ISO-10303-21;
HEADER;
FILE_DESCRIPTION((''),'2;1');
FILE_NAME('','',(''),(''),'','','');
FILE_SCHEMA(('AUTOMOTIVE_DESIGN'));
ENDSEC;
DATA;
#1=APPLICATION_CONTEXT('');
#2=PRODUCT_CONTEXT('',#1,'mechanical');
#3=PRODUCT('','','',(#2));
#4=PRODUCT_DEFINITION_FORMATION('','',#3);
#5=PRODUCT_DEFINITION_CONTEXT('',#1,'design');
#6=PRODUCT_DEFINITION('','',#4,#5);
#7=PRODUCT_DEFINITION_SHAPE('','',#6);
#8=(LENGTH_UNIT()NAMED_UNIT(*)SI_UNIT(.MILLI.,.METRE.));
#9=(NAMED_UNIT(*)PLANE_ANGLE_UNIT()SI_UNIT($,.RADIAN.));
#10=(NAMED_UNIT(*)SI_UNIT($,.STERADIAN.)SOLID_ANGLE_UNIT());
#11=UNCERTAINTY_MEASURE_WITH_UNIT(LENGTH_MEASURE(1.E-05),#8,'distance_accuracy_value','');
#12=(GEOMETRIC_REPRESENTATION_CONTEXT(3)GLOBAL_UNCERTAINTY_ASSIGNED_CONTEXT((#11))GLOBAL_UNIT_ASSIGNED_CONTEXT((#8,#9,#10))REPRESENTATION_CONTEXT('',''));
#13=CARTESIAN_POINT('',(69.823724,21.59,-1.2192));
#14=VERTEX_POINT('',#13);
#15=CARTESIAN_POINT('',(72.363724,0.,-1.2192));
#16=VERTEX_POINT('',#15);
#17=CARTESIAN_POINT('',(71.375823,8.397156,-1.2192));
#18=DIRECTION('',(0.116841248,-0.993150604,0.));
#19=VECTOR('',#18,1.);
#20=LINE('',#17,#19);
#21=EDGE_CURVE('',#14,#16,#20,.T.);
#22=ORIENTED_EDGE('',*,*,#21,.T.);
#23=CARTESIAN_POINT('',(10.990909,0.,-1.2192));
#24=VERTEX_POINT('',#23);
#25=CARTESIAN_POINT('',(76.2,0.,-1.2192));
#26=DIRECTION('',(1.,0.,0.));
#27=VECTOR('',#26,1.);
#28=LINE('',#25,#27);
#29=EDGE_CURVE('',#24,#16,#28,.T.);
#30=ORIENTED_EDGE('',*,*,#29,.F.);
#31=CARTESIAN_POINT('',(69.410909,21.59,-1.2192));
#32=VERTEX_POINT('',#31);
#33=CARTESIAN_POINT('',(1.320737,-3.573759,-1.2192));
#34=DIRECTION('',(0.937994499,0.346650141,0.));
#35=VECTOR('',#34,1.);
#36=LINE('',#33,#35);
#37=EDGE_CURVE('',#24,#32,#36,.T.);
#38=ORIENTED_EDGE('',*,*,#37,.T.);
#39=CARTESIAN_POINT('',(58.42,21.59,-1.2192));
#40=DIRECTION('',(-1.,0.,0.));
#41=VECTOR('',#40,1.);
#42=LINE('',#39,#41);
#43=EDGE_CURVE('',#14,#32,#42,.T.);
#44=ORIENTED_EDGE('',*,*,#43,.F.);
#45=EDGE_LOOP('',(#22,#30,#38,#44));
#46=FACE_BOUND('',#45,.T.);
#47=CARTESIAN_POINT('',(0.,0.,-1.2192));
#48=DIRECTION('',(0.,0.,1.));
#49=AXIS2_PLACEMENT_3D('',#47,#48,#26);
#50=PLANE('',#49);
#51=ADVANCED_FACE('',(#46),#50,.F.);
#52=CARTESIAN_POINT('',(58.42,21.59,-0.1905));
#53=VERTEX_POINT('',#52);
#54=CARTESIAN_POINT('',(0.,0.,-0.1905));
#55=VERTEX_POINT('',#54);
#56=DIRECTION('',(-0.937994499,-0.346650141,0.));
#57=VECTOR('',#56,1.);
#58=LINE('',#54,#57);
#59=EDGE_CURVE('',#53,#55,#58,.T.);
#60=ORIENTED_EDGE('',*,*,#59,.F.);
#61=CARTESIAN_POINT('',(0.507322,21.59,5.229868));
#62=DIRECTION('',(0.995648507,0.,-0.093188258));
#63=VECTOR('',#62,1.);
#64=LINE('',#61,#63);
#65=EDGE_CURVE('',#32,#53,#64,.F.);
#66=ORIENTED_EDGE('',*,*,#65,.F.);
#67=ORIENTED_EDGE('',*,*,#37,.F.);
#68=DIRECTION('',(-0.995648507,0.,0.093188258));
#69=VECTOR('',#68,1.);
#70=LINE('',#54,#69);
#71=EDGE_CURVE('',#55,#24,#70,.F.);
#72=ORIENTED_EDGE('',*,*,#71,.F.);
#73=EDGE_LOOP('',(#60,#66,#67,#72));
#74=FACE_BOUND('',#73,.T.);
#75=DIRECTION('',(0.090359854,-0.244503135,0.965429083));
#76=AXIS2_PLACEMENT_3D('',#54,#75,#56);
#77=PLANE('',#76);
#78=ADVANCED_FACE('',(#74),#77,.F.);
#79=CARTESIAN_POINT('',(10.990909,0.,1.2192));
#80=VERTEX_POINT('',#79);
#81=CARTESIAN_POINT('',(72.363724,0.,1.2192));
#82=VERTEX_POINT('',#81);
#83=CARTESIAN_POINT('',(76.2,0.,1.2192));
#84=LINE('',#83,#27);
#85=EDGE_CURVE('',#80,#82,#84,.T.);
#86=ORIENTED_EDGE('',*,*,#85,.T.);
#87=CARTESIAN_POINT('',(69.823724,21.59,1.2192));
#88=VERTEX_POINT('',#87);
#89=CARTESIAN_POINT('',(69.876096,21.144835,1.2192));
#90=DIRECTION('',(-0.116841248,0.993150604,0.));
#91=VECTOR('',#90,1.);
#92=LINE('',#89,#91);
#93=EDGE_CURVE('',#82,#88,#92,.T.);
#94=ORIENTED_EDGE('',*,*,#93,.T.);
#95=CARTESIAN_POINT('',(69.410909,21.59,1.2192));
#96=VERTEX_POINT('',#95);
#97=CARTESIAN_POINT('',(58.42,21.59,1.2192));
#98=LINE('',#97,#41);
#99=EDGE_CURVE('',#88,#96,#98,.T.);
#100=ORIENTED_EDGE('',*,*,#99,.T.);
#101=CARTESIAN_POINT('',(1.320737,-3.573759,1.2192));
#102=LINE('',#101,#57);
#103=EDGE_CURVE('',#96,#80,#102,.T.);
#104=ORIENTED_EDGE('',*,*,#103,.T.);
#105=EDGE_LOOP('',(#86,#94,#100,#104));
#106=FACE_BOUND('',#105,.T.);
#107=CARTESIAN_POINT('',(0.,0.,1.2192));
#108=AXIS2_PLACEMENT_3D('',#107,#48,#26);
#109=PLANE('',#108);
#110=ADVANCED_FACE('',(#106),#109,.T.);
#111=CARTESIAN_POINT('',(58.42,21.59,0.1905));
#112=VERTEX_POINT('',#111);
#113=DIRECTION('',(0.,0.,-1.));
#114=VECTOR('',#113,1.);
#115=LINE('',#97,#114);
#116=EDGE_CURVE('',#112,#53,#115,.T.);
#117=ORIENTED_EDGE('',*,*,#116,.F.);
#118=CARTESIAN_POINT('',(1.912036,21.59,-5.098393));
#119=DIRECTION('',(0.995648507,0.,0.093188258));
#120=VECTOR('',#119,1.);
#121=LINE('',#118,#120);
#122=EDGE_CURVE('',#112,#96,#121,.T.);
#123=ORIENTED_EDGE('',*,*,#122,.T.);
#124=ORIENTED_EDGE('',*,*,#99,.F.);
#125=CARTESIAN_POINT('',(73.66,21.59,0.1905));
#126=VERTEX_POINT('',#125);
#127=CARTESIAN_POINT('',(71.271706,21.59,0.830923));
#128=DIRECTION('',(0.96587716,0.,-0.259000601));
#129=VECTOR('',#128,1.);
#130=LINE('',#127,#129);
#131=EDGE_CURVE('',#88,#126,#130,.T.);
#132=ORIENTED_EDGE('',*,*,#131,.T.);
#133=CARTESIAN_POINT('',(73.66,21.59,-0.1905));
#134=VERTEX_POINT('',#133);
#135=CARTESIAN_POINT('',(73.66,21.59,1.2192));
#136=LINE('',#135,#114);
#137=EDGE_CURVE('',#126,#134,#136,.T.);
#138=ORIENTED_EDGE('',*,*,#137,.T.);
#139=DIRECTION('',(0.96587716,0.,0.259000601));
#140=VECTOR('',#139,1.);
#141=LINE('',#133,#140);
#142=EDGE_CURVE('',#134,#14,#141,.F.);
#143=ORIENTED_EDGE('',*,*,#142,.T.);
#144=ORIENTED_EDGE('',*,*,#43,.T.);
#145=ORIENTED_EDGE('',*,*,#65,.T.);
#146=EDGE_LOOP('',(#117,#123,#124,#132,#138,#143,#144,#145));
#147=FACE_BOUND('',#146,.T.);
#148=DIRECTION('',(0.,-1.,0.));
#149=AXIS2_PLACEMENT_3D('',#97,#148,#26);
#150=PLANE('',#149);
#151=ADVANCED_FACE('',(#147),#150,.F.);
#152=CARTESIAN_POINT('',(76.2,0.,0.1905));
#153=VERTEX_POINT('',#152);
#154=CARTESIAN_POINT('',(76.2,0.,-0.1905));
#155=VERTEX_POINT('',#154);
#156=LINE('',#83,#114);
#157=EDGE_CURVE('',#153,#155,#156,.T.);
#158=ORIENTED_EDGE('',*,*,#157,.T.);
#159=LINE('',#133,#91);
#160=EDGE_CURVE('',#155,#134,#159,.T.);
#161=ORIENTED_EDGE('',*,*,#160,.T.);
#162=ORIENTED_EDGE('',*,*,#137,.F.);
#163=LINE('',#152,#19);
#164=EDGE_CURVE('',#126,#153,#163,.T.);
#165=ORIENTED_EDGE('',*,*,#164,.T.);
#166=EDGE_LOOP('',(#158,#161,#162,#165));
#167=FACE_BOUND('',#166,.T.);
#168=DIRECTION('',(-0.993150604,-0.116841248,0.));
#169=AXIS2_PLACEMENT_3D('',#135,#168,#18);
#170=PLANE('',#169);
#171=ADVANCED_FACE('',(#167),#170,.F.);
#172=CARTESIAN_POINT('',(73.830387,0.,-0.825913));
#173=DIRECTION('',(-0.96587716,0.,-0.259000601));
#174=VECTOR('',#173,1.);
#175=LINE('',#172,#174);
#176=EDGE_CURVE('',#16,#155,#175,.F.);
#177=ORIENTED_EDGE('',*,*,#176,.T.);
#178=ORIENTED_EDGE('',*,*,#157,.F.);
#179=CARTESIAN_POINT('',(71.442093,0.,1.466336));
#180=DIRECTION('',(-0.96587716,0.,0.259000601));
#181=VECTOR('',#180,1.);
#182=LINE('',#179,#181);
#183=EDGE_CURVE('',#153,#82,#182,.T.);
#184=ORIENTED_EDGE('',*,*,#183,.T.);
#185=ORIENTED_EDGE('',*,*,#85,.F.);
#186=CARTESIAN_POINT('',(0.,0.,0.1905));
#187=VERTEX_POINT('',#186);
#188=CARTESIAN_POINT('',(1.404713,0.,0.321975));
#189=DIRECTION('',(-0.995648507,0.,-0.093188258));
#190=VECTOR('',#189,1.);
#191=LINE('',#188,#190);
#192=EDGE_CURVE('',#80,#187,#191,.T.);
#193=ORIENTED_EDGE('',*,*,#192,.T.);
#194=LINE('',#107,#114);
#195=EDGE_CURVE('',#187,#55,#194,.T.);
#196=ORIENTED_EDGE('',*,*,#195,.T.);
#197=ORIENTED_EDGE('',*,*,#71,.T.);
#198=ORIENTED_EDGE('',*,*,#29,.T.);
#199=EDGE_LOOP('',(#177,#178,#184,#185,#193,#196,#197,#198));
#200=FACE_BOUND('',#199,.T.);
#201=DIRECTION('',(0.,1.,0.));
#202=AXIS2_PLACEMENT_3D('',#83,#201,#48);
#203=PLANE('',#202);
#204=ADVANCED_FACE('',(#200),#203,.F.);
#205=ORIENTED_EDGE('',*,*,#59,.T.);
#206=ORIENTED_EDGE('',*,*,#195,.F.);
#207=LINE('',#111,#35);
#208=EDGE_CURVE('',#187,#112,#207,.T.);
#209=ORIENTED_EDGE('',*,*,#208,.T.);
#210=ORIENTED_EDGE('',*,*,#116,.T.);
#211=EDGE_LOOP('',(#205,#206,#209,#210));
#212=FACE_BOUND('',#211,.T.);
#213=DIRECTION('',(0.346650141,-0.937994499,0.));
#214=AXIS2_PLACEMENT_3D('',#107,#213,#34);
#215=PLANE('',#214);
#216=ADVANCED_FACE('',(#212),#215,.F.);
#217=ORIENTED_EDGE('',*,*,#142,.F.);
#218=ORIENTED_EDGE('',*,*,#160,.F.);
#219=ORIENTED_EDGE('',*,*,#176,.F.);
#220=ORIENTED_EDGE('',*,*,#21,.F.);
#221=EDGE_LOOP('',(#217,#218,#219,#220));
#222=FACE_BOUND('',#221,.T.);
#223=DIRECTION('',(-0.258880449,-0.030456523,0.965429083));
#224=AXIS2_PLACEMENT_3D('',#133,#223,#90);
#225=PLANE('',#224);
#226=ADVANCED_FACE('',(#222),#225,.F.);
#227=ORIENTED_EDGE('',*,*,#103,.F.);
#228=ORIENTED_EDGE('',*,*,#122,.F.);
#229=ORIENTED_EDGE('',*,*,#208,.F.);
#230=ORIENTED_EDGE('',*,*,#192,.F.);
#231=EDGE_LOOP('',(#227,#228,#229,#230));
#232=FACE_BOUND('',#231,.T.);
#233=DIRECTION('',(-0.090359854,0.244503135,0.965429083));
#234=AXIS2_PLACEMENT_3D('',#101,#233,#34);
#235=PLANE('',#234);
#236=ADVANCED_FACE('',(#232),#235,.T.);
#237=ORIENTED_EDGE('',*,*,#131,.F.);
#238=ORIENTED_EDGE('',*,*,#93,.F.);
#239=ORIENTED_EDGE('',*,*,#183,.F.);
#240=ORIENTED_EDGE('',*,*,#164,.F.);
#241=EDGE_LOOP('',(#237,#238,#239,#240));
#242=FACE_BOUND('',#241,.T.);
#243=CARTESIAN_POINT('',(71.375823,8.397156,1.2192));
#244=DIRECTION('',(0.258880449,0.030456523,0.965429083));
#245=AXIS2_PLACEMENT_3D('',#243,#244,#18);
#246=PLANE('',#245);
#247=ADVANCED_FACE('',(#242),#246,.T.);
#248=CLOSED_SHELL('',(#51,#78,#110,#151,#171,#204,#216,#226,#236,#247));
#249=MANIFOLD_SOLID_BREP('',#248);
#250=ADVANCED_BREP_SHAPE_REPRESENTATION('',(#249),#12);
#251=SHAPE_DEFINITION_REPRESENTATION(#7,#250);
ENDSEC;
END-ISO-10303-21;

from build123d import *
from OCP.BRepFilletAPI import BRepFilletAPI_MakeChamfer

# Parameters (mm, degrees)
BOSS_EXTRUDE1_DEPTH = 1.2192
CHAMFER1_SIZE       = 3.81
CHAMFER1_SIZE2      = 1.0287
CHAMFER2_SIZE       = 3.81
CHAMFER2_SIZE2      = 1.0287


with BuildPart() as part:
    # Sketch1 → Boss-Extrude1 (new, symmetric)
    with BuildSketch(Plane.XY):
        Polygon((0, 0), (58.42, 21.59), (73.66, 21.59), (76.2, 0), align=None)
    extrude(amount=BOSS_EXTRUDE1_DEPTH, both=True)

    # Chamfer1: one chamfer whose edges measure the first distance from different faces: ONE call of the kernel's chamfer builder (chamfer() names one face for all edges)
    chamfer1_edges_1 = [part.edges().sort_by_distance(p)[0] for p in [
        (29.21, 10.795, 1.2192),
    ]]
    chamfer1_side_1 = [part.faces().sort_by_distance(p)[0] for p in [
        (48.965555556, 8.396111111, 1.2192),
    ]]
    chamfer1_edges_2 = [part.edges().sort_by_distance(p)[0] for p in [
        (29.21, 10.795, -1.2192),
    ]]
    chamfer1_side_2 = [part.faces().sort_by_distance(p)[0] for p in [
        (48.965555556, 8.396111111, -1.2192),
    ]]
    chamfer1 = BRepFilletAPI_MakeChamfer(part.part.solid().wrapped)
    for e in chamfer1_edges_1:
        chamfer1.Add(CHAMFER1_SIZE, CHAMFER1_SIZE2, e.wrapped, chamfer1_side_1[0].wrapped)  # the first distance lies on this face
    for e in chamfer1_edges_2:
        chamfer1.Add(CHAMFER1_SIZE, CHAMFER1_SIZE2, e.wrapped, chamfer1_side_2[0].wrapped)  # the first distance lies on this face
    add(Compound.cast(chamfer1.Shape()), mode=Mode.REPLACE)

    # Chamfer2: one chamfer whose edges measure the first distance from different faces: ONE call of the kernel's chamfer builder (chamfer() names one face for all edges)
    chamfer2_edges_1 = [part.edges().sort_by_distance(p)[0] for p in [
        (74.93, 10.795, -1.2192),
    ]]
    chamfer2_side_1 = [part.faces().sort_by_distance(p)[0] for p in [
        (53.47852905, 7.636921414, -1.2192),
    ]]
    chamfer2_edges_2 = [part.edges().sort_by_distance(p)[0] for p in [
        (74.93, 10.795, 1.2192),
    ]]
    chamfer2_side_2 = [part.faces().sort_by_distance(p)[0] for p in [
        (53.47852905, 7.636921414, 1.2192),
    ]]
    chamfer2 = BRepFilletAPI_MakeChamfer(part.part.solid().wrapped)
    for e in chamfer2_edges_1:
        chamfer2.Add(CHAMFER2_SIZE, CHAMFER2_SIZE2, e.wrapped, chamfer2_side_1[0].wrapped)  # the first distance lies on this face
    for e in chamfer2_edges_2:
        chamfer2.Add(CHAMFER2_SIZE, CHAMFER2_SIZE2, e.wrapped, chamfer2_side_2[0].wrapped)  # the first distance lies on this face
    add(Compound.cast(chamfer2.Shape()), mode=Mode.REPLACE)


solid = part.part
